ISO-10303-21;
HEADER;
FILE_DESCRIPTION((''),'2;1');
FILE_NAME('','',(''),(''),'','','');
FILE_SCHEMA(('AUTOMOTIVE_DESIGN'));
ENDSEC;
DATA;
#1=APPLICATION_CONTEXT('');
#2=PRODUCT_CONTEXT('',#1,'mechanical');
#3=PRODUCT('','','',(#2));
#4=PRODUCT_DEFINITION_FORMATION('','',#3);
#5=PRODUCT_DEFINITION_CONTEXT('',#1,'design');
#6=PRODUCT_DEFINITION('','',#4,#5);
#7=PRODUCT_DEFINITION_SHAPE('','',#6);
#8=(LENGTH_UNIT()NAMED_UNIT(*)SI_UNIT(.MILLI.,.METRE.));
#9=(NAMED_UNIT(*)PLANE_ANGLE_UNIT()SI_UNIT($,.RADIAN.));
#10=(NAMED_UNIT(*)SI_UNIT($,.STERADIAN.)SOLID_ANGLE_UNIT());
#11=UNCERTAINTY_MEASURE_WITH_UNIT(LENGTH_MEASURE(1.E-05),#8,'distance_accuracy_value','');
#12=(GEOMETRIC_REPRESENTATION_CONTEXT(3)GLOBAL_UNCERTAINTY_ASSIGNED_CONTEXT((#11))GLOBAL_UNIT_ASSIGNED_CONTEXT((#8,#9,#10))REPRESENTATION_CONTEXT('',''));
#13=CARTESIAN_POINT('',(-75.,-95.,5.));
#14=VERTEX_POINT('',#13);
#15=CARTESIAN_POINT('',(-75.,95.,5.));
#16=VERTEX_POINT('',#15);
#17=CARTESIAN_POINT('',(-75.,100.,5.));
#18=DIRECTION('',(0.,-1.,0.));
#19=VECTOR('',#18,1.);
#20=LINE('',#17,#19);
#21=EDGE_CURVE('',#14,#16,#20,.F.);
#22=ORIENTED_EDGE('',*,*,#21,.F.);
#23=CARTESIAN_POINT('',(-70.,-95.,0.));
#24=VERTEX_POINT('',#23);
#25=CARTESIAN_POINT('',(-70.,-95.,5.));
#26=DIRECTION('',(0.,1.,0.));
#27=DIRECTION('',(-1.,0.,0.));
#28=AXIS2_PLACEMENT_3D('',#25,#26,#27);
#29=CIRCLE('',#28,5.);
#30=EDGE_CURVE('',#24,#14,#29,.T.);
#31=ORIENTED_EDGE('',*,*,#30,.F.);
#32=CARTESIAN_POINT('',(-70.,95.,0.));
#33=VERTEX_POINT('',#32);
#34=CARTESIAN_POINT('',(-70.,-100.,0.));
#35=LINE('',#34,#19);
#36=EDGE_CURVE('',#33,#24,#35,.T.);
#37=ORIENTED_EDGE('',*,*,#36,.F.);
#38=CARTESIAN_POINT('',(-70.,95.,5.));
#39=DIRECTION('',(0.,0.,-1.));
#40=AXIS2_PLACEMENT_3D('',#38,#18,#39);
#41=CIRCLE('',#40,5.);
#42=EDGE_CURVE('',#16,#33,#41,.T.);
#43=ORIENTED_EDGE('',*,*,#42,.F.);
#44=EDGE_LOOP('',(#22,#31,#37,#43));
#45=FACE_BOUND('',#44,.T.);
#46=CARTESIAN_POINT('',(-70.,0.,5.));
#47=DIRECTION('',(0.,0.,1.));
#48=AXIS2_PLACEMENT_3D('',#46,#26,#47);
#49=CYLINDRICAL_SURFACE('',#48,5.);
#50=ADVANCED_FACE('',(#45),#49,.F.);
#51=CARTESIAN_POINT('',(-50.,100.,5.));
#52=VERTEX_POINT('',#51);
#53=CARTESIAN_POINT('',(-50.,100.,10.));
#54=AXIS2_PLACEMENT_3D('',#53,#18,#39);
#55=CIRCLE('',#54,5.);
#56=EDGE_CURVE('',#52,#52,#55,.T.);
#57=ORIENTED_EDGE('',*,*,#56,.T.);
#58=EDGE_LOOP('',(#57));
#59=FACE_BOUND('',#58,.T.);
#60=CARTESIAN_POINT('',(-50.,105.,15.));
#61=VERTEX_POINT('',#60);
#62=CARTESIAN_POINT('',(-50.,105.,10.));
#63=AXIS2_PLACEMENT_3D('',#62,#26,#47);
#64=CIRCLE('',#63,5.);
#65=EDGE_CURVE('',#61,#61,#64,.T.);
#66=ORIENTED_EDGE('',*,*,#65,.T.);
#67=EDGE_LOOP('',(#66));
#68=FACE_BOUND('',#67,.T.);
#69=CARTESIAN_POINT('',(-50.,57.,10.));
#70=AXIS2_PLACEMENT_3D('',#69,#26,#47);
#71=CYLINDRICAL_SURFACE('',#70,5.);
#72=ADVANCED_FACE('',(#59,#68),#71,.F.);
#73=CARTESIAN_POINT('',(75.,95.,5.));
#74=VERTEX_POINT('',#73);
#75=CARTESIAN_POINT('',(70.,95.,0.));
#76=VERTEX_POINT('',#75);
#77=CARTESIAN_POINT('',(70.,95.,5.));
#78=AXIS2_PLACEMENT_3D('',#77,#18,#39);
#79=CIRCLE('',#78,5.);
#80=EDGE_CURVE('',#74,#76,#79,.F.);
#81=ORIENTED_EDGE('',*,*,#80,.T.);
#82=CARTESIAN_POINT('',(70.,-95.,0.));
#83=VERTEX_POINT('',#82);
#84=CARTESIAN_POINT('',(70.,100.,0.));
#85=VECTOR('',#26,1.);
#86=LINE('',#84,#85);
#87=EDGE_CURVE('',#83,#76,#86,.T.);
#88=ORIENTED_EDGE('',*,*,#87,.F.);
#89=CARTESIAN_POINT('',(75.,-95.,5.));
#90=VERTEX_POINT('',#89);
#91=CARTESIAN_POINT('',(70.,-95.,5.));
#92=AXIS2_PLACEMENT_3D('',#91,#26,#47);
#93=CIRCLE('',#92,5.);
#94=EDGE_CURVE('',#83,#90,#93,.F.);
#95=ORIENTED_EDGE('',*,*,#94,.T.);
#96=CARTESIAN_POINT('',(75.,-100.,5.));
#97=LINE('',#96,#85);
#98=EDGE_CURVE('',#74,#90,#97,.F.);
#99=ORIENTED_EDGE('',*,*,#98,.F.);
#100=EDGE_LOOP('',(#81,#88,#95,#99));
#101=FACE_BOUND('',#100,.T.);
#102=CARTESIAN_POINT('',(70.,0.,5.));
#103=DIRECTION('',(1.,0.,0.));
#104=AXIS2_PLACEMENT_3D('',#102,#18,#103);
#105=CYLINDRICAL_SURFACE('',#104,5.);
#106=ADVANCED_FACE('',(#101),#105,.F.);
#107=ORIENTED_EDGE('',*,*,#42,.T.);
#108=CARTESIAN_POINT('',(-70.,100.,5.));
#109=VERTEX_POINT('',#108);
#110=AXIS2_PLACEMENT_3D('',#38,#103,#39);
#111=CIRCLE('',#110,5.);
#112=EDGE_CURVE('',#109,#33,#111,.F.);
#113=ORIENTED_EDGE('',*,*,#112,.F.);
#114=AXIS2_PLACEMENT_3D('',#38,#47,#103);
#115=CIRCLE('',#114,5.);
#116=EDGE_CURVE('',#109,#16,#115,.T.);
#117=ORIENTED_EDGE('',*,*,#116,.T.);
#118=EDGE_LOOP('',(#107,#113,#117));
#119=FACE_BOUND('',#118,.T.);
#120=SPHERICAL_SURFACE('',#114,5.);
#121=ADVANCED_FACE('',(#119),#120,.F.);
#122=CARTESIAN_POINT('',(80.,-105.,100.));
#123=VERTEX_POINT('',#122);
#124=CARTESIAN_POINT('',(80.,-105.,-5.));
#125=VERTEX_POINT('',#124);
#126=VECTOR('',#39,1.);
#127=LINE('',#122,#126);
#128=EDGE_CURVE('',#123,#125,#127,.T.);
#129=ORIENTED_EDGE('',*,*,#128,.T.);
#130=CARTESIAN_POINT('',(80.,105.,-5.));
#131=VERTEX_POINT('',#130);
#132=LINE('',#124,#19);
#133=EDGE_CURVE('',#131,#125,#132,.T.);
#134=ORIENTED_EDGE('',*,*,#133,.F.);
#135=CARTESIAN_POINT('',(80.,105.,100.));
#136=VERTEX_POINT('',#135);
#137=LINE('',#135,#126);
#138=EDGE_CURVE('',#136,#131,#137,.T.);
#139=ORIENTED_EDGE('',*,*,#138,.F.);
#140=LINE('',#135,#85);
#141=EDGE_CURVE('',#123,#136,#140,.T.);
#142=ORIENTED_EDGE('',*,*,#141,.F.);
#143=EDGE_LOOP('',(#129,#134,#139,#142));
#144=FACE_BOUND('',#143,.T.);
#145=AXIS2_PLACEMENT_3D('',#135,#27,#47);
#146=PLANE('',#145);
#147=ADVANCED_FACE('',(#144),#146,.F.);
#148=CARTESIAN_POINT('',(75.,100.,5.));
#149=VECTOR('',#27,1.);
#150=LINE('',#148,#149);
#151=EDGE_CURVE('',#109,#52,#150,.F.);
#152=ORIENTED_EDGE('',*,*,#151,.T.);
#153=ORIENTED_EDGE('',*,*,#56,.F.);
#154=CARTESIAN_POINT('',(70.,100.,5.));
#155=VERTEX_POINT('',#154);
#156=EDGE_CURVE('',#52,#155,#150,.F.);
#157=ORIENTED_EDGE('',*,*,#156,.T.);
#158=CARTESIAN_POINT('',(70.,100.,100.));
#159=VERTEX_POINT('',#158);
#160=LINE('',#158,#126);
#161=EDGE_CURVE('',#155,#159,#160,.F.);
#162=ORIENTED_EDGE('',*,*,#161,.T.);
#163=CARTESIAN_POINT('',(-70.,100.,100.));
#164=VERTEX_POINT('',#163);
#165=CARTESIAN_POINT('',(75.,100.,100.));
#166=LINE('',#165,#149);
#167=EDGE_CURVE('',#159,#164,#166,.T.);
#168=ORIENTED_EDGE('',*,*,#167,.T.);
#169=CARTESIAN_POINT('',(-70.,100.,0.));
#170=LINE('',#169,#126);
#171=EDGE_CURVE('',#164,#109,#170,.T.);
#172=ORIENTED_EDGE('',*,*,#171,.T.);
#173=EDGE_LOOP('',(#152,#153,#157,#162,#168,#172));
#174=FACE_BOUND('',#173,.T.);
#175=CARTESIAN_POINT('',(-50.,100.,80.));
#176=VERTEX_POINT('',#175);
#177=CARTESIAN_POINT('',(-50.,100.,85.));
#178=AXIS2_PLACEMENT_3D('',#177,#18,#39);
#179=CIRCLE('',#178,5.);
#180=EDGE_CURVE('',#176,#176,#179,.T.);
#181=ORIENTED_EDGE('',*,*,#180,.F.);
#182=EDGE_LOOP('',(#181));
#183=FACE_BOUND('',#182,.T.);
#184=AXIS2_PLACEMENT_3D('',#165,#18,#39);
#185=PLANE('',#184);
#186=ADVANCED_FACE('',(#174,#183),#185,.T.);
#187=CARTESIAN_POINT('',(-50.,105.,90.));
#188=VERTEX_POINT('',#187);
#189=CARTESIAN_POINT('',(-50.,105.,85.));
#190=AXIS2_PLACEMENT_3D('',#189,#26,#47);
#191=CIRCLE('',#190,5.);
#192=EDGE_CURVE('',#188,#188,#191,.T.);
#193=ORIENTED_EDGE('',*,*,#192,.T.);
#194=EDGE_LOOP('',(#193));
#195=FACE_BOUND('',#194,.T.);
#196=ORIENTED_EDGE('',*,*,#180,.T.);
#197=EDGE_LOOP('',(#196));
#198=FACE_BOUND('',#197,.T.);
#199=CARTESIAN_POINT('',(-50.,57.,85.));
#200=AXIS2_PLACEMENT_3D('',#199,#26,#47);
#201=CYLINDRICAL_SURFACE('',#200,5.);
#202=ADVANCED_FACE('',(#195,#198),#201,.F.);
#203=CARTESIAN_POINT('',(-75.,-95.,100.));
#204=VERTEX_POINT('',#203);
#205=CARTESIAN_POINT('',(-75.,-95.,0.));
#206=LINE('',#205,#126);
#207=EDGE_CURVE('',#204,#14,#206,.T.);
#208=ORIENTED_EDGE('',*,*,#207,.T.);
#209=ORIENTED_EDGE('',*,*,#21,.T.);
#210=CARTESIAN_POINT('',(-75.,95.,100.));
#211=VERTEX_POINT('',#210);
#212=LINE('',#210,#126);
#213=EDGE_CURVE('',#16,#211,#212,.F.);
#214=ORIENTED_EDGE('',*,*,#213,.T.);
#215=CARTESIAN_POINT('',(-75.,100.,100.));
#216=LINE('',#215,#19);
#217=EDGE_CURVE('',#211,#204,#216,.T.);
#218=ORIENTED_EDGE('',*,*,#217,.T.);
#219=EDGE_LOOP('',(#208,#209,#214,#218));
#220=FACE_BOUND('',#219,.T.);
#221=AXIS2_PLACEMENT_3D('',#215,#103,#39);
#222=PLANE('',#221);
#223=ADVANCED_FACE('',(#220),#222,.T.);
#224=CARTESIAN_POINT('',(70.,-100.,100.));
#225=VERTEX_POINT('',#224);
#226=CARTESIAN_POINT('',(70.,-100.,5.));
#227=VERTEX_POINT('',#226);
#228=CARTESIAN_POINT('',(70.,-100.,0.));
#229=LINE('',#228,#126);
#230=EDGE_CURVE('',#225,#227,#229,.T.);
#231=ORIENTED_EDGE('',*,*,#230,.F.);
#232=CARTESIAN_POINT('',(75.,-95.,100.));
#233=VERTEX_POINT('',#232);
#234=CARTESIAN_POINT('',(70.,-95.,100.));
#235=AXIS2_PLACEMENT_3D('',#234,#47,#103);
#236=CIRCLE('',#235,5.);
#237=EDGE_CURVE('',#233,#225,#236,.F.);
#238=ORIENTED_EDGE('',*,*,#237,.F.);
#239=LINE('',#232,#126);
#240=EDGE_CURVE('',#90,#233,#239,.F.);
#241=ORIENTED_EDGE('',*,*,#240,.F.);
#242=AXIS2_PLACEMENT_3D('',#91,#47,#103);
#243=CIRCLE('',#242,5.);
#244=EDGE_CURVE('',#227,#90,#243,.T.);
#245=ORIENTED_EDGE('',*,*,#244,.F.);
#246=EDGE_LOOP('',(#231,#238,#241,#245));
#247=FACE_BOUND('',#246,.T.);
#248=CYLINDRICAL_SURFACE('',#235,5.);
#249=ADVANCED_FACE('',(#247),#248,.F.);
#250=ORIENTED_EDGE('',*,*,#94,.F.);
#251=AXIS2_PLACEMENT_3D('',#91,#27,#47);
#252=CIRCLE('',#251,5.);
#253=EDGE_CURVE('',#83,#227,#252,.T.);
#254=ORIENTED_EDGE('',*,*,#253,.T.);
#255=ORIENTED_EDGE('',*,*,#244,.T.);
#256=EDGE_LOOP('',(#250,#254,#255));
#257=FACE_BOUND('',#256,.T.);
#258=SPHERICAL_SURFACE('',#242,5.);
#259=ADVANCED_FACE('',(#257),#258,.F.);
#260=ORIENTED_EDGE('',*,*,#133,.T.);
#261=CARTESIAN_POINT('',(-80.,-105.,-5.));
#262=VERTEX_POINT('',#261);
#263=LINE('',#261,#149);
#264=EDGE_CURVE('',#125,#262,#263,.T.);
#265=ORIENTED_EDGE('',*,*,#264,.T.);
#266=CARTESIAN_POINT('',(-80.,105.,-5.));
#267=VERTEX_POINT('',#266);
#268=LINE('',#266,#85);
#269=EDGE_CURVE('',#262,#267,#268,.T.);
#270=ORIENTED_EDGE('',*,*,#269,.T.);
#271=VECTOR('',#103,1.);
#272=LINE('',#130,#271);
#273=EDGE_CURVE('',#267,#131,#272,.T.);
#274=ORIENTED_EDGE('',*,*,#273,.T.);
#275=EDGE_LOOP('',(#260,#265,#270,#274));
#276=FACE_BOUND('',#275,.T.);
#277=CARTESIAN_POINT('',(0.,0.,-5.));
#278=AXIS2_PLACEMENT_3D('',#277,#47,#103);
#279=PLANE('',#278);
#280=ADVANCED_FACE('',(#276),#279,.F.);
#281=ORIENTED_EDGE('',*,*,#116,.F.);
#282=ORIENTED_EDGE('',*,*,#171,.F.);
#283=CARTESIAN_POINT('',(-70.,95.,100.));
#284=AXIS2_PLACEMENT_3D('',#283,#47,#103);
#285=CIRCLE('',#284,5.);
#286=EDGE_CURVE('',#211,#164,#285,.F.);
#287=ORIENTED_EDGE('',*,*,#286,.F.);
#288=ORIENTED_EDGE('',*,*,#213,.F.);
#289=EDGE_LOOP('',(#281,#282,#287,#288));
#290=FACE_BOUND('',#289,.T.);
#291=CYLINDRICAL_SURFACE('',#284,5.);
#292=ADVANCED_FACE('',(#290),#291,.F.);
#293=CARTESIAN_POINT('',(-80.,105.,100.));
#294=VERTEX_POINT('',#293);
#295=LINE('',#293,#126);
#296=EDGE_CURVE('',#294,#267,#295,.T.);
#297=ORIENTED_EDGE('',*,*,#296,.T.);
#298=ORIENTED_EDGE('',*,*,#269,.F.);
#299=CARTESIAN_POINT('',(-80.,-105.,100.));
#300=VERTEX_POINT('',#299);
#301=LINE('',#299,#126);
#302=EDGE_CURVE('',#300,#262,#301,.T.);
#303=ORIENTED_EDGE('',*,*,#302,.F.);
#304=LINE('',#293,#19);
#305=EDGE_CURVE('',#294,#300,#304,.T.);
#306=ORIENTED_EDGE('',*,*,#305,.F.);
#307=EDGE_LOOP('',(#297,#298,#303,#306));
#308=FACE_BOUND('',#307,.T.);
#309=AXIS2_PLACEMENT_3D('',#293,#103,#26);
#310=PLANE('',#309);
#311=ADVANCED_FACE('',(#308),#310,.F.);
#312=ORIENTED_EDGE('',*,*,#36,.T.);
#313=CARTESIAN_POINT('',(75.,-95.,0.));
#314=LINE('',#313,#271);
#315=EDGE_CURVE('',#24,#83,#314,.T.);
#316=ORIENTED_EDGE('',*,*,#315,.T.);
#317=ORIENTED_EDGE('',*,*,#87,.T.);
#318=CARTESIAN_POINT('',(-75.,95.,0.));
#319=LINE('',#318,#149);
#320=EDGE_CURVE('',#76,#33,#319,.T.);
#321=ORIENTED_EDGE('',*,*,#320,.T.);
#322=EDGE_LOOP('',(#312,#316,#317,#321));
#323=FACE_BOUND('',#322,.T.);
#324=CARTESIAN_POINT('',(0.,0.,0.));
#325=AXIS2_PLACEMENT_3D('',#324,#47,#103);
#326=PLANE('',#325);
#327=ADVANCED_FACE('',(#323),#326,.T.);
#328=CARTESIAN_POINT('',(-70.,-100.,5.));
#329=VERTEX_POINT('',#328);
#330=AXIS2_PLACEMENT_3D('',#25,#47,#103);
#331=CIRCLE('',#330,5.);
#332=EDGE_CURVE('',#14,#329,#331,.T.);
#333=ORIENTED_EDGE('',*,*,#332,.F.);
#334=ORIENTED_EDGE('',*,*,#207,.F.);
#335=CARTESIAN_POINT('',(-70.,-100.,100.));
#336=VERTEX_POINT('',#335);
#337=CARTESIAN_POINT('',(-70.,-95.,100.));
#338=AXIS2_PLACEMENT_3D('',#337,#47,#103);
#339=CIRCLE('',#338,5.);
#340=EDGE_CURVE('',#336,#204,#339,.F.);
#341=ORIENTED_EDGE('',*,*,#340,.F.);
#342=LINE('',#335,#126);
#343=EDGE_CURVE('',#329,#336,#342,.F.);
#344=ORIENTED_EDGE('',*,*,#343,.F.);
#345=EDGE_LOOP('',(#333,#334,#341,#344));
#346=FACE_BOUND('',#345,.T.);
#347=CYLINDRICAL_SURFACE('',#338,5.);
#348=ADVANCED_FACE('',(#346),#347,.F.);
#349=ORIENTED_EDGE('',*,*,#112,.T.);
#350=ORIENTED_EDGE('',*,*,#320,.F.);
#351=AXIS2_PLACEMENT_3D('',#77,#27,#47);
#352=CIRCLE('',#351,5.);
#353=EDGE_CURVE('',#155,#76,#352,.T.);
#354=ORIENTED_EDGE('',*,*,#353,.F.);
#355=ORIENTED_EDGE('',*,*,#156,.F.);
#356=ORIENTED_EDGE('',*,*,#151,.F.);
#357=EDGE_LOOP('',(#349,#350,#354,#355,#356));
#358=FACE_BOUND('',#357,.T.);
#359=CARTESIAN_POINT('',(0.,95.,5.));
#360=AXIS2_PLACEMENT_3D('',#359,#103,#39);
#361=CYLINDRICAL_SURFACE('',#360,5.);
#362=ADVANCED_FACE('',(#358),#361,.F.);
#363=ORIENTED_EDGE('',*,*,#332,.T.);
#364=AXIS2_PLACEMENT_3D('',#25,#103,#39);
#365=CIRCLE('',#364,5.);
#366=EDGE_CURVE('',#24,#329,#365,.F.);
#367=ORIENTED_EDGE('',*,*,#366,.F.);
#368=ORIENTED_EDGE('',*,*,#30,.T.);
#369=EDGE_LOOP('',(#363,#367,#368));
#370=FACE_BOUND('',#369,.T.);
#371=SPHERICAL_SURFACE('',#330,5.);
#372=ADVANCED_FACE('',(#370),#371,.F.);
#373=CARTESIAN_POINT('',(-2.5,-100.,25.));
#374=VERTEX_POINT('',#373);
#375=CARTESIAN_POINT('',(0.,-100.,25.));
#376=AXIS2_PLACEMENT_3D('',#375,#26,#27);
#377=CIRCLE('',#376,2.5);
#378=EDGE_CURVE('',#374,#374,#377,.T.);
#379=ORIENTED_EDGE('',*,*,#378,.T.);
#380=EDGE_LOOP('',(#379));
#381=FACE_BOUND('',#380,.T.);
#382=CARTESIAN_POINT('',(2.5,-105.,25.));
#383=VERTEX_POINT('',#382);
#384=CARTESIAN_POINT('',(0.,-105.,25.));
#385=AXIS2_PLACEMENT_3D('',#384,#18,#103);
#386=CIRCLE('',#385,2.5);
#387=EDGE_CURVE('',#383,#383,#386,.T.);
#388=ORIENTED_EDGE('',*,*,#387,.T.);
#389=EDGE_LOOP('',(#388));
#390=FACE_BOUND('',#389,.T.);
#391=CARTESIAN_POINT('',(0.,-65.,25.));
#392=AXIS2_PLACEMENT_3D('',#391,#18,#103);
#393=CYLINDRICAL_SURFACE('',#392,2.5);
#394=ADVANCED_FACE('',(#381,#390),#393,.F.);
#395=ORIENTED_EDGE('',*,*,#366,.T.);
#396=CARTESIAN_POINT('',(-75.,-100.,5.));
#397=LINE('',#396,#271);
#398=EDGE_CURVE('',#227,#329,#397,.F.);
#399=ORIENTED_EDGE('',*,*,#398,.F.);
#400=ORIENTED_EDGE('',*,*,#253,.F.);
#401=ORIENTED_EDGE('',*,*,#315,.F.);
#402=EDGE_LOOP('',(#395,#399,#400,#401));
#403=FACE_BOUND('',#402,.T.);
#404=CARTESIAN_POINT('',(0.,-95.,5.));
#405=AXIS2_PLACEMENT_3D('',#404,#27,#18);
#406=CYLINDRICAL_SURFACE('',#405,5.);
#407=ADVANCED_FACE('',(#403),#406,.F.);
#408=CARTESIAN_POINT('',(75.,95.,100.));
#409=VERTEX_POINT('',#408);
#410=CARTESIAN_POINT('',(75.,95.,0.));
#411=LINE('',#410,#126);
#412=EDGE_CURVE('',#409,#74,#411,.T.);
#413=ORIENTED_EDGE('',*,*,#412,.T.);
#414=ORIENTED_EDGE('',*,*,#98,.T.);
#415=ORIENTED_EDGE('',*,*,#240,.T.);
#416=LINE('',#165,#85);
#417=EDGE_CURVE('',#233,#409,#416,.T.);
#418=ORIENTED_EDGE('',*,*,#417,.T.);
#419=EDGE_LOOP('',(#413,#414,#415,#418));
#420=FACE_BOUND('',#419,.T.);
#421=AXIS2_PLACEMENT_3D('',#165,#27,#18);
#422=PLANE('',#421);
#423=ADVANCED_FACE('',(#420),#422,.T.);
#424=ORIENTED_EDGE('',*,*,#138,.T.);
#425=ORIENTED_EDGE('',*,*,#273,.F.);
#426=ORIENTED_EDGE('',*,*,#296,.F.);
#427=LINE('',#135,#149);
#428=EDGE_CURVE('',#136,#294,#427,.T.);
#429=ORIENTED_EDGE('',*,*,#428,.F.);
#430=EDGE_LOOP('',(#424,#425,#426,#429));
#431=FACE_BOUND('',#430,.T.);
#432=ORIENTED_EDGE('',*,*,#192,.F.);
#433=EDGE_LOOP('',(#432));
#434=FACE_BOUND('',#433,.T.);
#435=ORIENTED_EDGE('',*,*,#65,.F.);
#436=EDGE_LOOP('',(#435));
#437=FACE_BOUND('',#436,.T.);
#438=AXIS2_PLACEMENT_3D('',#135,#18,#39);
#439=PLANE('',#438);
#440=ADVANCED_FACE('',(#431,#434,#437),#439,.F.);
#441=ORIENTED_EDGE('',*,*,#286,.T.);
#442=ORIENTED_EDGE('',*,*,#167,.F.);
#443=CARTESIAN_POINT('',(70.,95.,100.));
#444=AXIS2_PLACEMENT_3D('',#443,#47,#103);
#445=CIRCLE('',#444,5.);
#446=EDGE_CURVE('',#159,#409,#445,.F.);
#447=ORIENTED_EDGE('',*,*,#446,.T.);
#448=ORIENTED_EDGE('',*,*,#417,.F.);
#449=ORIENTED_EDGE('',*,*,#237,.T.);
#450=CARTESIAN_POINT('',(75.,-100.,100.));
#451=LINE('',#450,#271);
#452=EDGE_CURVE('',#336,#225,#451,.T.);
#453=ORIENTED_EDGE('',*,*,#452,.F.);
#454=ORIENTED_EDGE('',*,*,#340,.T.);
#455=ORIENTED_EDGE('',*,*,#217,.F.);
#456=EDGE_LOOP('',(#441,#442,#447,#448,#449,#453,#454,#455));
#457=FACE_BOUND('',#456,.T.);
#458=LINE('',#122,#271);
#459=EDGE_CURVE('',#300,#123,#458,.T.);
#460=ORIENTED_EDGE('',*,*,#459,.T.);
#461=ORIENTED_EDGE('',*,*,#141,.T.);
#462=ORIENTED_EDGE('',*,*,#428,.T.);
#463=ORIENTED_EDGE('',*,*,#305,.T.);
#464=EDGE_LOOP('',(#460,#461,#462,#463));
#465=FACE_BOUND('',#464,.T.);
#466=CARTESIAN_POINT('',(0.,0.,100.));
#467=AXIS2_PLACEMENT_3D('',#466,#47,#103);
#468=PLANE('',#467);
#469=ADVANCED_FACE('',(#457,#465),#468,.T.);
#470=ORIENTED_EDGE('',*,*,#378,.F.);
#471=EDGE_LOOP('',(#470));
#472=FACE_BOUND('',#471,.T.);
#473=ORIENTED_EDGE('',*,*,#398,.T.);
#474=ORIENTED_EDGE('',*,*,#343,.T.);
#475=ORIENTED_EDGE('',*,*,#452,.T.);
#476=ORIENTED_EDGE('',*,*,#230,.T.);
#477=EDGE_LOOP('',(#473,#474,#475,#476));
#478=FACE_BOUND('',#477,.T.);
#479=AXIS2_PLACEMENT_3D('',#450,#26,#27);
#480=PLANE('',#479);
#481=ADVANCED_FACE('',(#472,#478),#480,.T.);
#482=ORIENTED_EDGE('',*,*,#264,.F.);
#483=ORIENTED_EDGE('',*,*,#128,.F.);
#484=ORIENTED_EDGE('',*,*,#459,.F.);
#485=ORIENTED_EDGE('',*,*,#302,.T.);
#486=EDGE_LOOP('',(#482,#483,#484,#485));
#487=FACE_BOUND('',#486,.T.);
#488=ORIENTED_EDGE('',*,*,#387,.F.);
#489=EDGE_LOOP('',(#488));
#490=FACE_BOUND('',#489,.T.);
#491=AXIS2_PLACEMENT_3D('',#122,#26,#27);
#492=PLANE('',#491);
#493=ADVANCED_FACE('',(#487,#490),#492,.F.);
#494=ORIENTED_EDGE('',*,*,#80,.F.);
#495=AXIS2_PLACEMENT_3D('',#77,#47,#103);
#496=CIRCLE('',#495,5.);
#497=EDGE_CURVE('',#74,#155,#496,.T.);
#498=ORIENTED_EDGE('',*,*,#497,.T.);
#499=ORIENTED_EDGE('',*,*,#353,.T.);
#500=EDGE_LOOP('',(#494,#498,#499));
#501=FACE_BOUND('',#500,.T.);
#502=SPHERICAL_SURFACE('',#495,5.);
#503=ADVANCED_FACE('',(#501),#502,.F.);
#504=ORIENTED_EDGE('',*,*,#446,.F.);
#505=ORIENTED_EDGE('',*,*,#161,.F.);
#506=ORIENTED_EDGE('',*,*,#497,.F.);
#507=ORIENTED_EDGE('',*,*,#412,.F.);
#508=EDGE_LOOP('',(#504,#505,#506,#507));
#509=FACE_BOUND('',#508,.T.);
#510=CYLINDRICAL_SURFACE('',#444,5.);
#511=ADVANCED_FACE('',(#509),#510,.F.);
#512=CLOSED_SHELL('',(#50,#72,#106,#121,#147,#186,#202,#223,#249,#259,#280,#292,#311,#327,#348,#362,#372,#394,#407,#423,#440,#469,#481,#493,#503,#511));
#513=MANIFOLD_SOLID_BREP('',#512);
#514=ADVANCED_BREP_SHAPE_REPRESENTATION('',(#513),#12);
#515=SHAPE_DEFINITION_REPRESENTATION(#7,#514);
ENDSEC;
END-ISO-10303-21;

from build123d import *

# Parameters (mm, degrees)
SKETCH1_W           = 160
SKETCH1_H           = 210
SKETCH1_W_2         = 150
SKETCH1_H_2         = 200
BOSS_EXTRUDE1_DEPTH = 100
SKETCH3_W           = 160
SKETCH3_H           = 210
BOSS_EXTRUDE2_DEPTH = 5
FILLET1_R           = 5
SKETCH4_R           = 5
CUT_EXTRUDE1_DEPTH  = 48
SKETCH5_R           = 2.5
CUT_EXTRUDE2_DEPTH  = 40


with BuildPart() as part:
    # Sketch1 → Boss-Extrude1 (new body)
    with BuildSketch(Plane.XY):
        Rectangle(SKETCH1_W, SKETCH1_H)
        Rectangle(SKETCH1_W_2, SKETCH1_H_2, mode=Mode.SUBTRACT)
    extrude(amount=BOSS_EXTRUDE1_DEPTH)

    # Sketch3 → Boss-Extrude2 (add)
    with BuildSketch(Plane(origin=(0, 0, 0), x_dir=(-1, 0, 0), z_dir=(0, 0, -1))):
        Rectangle(SKETCH3_W, SKETCH3_H)
    extrude(amount=BOSS_EXTRUDE2_DEPTH)

    # Fillet1
    fillet1_edges = [part.edges().sort_by_distance(p)[0] for p in [
        (-75, 0, 0),
        (-75, 100, 50),
        (0, -100, 0),
        (-75, -100, 50),
        (75, 0, 0),
        (75, -100, 50),
        (0, 100, 0),
        (75, 100, 50),
    ]]
    fillet(fillet1_edges, radius=FILLET1_R)

    # Sketch4 → Cut-Extrude1 (cut)
    with BuildSketch(Plane(origin=(0, 105, 0), x_dir=(1, 0, 0), z_dir=(0, 1, 0))):
        with Locations((-50, -10)):
            Circle(SKETCH4_R)
        with Locations((-50, -85)):
            Circle(SKETCH4_R)
    extrude(amount=-CUT_EXTRUDE1_DEPTH, mode=Mode.SUBTRACT)

    # Sketch5 → Cut-Extrude2 (cut)
    with BuildSketch(Plane.XZ.offset(105)):
        with Locations((0, 25)):
            Circle(SKETCH5_R)
    extrude(amount=-CUT_EXTRUDE2_DEPTH, mode=Mode.SUBTRACT)


solid = part.part
